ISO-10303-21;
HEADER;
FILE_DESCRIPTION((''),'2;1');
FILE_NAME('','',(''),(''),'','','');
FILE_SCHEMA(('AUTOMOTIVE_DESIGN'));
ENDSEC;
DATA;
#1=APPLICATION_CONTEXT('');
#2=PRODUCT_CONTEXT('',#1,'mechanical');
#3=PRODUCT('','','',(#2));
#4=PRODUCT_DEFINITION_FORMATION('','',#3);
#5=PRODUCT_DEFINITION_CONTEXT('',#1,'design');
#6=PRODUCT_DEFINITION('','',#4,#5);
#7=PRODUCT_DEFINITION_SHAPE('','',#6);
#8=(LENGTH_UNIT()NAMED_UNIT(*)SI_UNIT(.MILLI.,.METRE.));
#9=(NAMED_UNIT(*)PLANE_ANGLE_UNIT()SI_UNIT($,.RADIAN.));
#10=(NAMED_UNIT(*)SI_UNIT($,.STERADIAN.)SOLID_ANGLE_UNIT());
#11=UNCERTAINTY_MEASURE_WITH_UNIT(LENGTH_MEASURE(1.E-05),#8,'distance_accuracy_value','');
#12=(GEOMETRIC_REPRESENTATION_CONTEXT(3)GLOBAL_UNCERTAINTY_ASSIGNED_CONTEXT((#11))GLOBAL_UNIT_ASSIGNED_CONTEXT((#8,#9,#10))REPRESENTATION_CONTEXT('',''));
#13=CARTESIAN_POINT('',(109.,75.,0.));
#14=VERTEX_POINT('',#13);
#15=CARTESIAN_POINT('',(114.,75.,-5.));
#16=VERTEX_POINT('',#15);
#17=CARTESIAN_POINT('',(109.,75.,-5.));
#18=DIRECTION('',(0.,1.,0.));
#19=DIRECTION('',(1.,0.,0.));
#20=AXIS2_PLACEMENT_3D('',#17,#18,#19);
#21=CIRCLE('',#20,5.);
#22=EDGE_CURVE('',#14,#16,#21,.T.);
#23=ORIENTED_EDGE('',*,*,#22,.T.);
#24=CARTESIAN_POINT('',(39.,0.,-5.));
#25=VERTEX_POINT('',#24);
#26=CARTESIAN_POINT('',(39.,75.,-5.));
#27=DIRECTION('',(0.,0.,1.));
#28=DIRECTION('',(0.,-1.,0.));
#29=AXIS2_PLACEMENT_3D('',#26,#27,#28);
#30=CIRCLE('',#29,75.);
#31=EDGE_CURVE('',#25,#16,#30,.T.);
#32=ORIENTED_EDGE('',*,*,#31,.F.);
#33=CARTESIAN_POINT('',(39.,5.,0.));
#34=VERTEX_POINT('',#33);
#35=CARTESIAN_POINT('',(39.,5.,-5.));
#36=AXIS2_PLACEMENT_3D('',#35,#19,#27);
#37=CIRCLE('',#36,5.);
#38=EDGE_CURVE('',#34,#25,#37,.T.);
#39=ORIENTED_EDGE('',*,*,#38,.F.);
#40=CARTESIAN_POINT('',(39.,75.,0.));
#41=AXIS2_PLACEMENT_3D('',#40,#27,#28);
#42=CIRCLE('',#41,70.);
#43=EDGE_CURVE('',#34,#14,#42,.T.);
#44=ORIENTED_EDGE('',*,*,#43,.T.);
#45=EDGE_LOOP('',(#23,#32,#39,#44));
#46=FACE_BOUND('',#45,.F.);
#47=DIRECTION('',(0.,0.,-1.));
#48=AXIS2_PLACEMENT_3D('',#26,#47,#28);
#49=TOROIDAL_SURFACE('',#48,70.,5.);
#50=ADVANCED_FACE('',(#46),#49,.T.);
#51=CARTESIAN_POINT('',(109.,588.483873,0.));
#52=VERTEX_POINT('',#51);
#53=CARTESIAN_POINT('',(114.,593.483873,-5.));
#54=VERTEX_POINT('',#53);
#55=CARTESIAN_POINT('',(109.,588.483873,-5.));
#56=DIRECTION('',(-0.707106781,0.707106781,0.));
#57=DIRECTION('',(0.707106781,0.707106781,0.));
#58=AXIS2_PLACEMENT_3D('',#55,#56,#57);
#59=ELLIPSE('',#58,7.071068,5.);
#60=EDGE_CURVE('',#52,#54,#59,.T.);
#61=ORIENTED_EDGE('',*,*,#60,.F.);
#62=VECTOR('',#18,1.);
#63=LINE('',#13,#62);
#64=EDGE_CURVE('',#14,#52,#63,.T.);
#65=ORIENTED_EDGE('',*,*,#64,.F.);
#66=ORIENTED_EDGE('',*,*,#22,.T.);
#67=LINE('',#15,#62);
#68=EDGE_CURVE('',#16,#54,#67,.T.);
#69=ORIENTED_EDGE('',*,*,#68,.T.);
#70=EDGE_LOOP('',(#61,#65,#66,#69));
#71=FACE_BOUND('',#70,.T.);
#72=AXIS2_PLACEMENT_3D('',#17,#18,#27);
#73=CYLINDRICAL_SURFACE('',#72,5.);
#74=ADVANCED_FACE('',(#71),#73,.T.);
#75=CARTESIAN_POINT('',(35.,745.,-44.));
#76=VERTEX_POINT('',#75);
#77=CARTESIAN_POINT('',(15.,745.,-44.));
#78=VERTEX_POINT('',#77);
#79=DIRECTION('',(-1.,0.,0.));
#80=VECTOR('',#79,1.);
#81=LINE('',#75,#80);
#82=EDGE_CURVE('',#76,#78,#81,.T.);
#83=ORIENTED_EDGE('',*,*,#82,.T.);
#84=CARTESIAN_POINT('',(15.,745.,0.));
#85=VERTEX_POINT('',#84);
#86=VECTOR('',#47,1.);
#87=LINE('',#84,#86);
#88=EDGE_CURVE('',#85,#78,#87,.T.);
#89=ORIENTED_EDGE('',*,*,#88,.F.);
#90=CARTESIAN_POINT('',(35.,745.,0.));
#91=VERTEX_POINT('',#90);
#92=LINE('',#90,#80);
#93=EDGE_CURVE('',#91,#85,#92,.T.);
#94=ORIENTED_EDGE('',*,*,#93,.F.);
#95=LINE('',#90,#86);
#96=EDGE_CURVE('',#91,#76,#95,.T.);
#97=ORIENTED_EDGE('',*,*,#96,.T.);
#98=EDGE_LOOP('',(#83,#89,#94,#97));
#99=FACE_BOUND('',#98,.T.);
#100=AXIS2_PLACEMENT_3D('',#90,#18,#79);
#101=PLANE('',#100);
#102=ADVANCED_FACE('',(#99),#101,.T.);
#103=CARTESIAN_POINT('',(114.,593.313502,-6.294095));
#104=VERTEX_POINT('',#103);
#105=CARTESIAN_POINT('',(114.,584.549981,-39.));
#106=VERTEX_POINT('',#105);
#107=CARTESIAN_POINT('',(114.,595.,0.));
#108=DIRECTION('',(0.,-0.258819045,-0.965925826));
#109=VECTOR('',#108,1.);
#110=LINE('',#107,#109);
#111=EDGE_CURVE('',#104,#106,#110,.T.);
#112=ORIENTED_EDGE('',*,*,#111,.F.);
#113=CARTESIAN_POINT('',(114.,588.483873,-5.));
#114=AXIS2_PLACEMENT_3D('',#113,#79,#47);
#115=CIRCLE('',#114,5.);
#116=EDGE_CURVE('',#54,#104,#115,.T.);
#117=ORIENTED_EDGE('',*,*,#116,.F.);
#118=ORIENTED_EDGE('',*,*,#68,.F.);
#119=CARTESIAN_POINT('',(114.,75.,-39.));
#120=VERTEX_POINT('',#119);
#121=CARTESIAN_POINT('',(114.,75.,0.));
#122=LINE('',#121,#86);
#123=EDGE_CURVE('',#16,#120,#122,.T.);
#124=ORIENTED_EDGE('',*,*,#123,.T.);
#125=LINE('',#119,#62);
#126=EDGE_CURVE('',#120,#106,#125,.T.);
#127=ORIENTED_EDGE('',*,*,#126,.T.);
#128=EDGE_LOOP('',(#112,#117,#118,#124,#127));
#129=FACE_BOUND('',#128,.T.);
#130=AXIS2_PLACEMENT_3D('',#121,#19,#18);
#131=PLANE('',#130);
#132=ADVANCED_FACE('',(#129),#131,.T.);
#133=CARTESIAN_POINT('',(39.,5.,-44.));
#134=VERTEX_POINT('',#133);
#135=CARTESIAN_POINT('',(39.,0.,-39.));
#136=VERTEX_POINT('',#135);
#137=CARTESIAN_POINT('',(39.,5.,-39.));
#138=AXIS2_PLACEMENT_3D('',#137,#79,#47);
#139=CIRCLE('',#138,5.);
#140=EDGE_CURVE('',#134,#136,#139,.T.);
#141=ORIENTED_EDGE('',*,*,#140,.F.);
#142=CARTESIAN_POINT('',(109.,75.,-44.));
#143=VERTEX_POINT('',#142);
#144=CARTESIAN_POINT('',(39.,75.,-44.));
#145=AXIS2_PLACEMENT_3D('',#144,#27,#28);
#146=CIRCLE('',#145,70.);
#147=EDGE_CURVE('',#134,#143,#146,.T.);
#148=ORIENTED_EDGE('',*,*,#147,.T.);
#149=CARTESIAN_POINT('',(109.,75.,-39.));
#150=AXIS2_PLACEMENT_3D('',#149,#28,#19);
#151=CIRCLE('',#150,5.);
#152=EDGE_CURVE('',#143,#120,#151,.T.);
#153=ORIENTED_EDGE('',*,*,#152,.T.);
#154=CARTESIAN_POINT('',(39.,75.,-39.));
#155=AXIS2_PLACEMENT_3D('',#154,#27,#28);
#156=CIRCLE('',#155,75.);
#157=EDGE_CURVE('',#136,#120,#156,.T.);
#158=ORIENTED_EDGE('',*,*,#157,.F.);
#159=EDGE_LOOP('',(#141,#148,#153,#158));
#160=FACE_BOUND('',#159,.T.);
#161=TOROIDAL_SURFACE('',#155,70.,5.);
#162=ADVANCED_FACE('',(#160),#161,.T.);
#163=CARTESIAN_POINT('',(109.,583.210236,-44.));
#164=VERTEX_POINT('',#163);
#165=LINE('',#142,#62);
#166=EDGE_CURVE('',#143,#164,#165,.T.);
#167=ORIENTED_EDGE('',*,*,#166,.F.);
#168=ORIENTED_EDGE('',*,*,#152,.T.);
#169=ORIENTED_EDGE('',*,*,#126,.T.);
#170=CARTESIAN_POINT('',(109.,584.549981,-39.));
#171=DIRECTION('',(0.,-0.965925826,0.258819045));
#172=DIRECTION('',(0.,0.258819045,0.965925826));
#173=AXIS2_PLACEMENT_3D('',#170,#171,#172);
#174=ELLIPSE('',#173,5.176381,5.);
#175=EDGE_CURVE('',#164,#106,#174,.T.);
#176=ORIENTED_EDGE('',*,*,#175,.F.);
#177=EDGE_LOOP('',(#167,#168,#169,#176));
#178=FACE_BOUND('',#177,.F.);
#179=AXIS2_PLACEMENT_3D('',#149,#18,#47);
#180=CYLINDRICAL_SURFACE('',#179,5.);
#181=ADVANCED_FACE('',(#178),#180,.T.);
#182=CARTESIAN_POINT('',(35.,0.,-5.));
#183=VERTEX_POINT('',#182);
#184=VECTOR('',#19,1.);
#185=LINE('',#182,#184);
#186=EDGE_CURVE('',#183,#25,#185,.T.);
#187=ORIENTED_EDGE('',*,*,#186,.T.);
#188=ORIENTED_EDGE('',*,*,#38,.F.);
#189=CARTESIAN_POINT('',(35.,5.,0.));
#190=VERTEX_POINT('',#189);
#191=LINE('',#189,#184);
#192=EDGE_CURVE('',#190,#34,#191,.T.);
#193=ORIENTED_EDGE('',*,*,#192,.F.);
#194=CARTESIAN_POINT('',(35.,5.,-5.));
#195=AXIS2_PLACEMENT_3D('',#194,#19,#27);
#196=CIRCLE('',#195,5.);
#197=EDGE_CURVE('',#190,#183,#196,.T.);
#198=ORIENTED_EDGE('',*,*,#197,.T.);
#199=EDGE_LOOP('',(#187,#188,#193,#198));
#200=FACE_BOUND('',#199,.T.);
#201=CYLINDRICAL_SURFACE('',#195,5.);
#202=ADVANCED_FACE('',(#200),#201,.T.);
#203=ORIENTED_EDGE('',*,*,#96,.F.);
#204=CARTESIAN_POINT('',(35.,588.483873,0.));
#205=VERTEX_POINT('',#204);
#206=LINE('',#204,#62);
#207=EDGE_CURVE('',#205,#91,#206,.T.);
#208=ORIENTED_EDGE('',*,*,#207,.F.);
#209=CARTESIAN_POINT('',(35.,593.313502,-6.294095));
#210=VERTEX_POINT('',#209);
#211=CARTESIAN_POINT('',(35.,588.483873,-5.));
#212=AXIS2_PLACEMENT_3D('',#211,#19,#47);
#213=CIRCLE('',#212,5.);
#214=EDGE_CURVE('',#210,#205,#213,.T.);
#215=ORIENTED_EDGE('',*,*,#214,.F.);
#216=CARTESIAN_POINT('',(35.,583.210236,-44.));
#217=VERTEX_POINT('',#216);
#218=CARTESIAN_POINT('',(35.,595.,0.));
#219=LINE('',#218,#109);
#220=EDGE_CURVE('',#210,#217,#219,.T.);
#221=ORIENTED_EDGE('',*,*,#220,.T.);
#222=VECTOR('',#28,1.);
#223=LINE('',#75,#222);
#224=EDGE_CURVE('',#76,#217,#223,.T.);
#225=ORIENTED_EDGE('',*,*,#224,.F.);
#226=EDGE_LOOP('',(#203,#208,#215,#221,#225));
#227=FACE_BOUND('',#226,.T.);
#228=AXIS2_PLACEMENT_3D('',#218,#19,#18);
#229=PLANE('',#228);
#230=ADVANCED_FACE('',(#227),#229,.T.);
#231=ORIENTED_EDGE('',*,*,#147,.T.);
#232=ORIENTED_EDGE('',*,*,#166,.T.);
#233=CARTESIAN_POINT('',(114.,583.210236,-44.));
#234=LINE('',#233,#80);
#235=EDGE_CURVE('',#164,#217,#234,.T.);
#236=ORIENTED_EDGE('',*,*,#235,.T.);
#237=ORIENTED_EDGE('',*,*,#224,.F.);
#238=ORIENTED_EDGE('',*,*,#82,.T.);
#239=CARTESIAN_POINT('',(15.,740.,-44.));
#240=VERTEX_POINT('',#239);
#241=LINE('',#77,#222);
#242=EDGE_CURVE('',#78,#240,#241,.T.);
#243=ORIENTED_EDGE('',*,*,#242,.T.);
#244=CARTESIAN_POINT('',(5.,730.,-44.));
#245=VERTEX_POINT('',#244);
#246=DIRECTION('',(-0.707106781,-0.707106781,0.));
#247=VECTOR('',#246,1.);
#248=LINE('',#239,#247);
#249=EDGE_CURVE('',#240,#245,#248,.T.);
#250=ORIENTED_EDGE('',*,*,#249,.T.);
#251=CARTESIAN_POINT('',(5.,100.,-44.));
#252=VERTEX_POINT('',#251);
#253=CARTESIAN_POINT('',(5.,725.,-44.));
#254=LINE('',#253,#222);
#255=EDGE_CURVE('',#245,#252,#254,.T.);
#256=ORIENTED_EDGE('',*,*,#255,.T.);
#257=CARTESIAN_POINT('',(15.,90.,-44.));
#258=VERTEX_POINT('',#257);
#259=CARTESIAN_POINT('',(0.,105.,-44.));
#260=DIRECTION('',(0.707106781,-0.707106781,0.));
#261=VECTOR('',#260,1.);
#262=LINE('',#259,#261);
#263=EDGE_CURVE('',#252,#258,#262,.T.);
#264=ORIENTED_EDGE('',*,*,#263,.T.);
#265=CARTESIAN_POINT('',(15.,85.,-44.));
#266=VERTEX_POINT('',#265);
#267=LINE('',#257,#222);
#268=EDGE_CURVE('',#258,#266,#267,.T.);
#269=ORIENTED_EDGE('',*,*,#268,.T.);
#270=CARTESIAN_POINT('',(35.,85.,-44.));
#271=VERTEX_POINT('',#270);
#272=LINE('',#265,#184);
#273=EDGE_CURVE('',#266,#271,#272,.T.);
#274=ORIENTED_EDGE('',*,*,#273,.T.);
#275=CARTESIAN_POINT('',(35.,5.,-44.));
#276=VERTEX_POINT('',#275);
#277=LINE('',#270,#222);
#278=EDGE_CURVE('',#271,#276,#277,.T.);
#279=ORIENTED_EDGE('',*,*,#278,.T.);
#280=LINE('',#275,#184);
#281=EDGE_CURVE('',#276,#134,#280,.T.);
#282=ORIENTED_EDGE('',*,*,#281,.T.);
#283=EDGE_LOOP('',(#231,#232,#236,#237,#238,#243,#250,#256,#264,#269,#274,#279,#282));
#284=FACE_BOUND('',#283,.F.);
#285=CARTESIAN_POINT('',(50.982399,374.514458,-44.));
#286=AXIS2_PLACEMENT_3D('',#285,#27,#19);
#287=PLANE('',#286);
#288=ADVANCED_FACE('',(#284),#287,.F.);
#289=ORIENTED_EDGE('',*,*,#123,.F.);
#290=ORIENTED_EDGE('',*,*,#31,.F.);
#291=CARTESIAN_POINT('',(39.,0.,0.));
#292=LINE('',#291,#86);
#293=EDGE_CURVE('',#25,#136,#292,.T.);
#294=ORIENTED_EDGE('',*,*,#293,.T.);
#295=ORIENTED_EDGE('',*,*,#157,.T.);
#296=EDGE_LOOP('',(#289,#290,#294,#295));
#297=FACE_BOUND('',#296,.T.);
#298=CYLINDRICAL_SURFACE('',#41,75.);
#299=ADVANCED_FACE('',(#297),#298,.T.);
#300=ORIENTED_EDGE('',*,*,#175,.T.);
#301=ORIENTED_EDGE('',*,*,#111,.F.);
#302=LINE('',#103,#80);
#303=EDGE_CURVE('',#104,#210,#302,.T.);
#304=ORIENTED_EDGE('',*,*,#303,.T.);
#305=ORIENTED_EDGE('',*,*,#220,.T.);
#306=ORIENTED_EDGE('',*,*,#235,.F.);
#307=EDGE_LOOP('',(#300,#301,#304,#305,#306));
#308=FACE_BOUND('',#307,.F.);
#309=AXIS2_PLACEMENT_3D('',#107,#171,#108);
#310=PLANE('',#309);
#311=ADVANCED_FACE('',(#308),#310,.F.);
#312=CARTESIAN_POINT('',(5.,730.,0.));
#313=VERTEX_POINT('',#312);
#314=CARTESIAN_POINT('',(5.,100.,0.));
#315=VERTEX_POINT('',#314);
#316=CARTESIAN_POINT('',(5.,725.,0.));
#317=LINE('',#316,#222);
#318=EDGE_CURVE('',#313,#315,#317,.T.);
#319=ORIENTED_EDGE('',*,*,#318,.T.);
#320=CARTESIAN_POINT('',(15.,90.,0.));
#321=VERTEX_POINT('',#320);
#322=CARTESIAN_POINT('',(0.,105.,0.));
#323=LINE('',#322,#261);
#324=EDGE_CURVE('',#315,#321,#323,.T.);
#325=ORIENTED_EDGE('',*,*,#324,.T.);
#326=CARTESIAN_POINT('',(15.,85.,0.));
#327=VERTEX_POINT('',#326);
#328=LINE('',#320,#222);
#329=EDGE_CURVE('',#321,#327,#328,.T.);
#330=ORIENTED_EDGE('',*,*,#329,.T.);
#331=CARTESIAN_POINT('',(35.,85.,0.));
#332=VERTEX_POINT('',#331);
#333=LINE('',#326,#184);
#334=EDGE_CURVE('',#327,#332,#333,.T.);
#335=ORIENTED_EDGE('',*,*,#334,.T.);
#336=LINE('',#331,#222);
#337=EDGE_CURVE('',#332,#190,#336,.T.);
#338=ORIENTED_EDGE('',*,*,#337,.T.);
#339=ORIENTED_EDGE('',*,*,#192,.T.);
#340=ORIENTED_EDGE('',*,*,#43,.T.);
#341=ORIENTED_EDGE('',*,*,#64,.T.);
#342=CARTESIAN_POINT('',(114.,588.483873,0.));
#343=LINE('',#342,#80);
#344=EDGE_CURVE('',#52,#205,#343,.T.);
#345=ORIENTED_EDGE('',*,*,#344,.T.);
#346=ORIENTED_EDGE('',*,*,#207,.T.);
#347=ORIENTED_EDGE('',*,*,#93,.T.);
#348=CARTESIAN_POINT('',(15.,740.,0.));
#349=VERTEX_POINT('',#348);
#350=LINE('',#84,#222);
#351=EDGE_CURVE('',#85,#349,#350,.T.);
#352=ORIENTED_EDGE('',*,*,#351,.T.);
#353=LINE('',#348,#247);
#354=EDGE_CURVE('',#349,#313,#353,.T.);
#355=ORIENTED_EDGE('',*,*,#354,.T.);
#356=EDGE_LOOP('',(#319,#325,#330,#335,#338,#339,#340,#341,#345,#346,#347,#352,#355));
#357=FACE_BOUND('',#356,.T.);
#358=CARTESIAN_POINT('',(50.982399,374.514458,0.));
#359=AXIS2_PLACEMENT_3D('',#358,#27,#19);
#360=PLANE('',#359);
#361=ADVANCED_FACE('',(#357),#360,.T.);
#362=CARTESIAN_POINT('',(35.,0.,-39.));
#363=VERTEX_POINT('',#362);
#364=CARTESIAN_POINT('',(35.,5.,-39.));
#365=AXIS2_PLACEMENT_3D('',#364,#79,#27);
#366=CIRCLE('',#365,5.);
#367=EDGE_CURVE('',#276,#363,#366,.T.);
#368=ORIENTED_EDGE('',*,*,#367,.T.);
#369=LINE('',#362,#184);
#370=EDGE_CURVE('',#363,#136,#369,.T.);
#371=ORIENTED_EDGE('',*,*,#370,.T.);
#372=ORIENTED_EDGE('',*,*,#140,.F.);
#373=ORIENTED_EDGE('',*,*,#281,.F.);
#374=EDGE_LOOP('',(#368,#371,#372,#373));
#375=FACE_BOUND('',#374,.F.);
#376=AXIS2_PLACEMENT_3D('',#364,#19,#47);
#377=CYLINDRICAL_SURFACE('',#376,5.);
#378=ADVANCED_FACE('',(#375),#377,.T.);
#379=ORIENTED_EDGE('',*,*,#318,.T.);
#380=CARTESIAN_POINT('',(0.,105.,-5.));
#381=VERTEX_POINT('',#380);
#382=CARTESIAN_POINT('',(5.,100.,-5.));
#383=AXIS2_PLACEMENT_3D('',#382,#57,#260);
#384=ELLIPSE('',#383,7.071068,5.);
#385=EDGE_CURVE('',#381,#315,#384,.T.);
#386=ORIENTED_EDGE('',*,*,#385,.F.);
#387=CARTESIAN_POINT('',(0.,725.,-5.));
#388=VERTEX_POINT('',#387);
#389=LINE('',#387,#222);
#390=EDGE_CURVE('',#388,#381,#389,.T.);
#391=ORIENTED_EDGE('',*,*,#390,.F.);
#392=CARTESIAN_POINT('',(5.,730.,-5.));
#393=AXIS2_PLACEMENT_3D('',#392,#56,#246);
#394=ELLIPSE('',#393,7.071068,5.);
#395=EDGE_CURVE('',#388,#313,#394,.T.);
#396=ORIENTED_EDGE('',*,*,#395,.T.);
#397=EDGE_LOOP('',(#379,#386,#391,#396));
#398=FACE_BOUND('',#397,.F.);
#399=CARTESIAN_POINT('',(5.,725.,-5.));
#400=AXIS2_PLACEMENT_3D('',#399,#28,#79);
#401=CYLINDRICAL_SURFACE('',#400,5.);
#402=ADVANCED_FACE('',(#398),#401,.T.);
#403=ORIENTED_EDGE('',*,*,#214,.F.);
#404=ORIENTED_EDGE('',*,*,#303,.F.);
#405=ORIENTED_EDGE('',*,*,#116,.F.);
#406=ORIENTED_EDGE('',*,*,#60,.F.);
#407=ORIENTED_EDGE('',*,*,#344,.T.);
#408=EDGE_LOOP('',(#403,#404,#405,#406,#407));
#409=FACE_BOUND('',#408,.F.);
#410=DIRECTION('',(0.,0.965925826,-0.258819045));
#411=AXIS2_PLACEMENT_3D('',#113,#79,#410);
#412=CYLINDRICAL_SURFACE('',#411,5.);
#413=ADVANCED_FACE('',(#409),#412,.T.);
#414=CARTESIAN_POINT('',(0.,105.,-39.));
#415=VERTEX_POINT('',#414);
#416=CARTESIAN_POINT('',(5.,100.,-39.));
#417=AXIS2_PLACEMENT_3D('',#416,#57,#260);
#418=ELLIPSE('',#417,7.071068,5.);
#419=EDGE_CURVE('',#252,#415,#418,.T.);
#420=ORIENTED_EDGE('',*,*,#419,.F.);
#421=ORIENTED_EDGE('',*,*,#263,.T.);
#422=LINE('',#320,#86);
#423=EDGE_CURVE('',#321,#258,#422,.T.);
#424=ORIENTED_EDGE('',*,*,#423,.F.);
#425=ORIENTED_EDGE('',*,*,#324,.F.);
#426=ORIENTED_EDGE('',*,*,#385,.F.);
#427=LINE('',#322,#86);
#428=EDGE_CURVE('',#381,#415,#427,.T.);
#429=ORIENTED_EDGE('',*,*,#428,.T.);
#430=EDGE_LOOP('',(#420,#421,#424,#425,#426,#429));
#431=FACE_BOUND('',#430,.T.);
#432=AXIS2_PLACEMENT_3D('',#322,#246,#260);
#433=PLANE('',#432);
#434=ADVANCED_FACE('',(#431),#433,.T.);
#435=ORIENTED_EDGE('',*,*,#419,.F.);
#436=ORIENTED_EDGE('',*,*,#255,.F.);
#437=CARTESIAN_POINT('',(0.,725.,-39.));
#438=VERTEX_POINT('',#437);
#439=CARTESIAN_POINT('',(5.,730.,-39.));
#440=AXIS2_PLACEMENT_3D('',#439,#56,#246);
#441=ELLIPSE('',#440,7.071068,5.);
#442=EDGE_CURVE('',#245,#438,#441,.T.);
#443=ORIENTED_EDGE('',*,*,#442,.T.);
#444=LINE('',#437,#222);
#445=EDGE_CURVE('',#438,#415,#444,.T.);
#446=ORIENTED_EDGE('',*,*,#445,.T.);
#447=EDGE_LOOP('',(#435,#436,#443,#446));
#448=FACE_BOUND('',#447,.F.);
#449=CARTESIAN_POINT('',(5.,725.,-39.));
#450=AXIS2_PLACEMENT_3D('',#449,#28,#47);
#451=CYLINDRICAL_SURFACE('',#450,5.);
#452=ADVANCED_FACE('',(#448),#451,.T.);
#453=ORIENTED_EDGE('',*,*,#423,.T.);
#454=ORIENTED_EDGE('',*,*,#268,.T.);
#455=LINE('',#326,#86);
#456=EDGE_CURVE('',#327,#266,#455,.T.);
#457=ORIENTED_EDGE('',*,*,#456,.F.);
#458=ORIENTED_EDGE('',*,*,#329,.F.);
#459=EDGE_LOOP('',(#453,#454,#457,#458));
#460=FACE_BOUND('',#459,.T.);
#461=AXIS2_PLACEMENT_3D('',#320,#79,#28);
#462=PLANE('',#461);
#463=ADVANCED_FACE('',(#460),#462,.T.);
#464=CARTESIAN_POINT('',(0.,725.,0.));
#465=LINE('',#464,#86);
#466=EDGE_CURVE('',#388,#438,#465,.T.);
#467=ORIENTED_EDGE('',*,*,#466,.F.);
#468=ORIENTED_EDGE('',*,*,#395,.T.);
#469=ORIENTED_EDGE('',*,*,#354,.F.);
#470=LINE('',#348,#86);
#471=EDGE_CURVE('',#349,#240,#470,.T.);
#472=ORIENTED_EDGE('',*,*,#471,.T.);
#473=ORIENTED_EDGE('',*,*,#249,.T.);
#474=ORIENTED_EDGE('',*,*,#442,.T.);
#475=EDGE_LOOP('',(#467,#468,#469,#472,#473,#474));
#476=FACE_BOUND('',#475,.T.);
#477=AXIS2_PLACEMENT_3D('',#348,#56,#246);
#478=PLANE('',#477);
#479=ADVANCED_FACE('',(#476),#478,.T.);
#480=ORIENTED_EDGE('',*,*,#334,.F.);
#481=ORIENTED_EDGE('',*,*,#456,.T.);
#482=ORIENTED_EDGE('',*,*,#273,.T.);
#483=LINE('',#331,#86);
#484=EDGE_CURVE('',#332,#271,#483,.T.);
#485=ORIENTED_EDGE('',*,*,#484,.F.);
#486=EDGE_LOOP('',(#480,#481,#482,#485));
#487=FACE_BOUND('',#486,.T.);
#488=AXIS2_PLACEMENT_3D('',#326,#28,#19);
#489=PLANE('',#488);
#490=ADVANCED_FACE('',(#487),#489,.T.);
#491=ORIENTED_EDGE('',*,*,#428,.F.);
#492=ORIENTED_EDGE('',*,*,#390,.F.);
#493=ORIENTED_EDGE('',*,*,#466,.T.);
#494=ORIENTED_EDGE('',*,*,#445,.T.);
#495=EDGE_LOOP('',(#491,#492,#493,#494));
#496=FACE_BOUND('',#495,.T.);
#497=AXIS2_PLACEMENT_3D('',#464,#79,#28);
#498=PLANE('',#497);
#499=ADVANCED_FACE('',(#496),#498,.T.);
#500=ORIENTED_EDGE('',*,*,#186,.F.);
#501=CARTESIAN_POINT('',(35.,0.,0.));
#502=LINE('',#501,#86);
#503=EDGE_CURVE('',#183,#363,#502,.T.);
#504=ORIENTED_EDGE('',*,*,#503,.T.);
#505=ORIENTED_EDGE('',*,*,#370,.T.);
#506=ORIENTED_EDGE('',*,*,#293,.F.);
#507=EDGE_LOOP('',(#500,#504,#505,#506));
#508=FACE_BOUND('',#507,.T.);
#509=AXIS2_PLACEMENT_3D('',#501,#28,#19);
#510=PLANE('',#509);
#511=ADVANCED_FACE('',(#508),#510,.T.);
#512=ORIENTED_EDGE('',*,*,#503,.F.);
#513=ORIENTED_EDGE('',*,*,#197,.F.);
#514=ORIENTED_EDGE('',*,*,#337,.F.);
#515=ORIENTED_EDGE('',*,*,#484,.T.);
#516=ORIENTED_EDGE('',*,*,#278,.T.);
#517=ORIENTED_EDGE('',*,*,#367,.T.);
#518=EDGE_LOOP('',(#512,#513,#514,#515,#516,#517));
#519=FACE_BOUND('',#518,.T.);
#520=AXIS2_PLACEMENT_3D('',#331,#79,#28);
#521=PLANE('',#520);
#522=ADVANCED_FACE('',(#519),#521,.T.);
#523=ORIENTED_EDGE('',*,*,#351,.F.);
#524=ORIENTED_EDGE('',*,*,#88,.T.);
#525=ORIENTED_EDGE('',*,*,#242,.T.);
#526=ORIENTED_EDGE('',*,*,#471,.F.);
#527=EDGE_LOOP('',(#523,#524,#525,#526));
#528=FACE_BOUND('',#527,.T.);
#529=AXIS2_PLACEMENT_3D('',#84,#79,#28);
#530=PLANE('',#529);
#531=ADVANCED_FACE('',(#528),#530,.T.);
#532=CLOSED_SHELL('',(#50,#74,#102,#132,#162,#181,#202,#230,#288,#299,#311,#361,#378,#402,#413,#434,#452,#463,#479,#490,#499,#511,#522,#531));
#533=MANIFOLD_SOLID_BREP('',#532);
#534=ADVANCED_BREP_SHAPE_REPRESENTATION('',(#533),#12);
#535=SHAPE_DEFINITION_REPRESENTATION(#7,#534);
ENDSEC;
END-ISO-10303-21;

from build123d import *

# Parameters (mm, degrees)
F1_DEPTH = 44
F3_DEPTH = 79
F4_R     = 5


with BuildPart() as f1:
    # F0 (on Top) → F1 (new body)
    with BuildSketch(Plane.XY):
        with BuildLine():
            Line((35, 85), (35, 0))
            Line((35, 0), (39, 0))
            ThreePointArc((39, 0), (92.033008589, 21.966991411), (114, 75))
            Line((114, 75), (114, 595))
            Line((114, 595), (35, 595))
            Line((35, 595), (35, 745))
            Line((35, 745), (15, 745))
            Line((15, 745), (15, 740))
            Line((15, 740), (0, 725))
            Line((0, 725), (0, 105))
            Line((0, 105), (15, 90))
            Line((15, 90), (15, 85))
            Line((15, 85), (35, 85))
        make_face()
    extrude(amount=-F1_DEPTH)

    # F2 (on face) → F3 (cut)
    with BuildSketch(Plane.YZ.offset(114)):
        Polygon((595, -44), (595, 0), (583.210235533, -44), align=None)
    extrude(amount=-F3_DEPTH, mode=Mode.SUBTRACT)

    # F4
    f4_edges = [f1.edges().sort_by_distance(p)[0] for p in [
        (37, 0, 0),
        (114, 329.105118, -44),
        (0, 415, 0),
        (0, 415, -44),
        (74.5, 595, 0),
    ]]
    fillet(f4_edges, radius=F4_R)


solid = f1.part
